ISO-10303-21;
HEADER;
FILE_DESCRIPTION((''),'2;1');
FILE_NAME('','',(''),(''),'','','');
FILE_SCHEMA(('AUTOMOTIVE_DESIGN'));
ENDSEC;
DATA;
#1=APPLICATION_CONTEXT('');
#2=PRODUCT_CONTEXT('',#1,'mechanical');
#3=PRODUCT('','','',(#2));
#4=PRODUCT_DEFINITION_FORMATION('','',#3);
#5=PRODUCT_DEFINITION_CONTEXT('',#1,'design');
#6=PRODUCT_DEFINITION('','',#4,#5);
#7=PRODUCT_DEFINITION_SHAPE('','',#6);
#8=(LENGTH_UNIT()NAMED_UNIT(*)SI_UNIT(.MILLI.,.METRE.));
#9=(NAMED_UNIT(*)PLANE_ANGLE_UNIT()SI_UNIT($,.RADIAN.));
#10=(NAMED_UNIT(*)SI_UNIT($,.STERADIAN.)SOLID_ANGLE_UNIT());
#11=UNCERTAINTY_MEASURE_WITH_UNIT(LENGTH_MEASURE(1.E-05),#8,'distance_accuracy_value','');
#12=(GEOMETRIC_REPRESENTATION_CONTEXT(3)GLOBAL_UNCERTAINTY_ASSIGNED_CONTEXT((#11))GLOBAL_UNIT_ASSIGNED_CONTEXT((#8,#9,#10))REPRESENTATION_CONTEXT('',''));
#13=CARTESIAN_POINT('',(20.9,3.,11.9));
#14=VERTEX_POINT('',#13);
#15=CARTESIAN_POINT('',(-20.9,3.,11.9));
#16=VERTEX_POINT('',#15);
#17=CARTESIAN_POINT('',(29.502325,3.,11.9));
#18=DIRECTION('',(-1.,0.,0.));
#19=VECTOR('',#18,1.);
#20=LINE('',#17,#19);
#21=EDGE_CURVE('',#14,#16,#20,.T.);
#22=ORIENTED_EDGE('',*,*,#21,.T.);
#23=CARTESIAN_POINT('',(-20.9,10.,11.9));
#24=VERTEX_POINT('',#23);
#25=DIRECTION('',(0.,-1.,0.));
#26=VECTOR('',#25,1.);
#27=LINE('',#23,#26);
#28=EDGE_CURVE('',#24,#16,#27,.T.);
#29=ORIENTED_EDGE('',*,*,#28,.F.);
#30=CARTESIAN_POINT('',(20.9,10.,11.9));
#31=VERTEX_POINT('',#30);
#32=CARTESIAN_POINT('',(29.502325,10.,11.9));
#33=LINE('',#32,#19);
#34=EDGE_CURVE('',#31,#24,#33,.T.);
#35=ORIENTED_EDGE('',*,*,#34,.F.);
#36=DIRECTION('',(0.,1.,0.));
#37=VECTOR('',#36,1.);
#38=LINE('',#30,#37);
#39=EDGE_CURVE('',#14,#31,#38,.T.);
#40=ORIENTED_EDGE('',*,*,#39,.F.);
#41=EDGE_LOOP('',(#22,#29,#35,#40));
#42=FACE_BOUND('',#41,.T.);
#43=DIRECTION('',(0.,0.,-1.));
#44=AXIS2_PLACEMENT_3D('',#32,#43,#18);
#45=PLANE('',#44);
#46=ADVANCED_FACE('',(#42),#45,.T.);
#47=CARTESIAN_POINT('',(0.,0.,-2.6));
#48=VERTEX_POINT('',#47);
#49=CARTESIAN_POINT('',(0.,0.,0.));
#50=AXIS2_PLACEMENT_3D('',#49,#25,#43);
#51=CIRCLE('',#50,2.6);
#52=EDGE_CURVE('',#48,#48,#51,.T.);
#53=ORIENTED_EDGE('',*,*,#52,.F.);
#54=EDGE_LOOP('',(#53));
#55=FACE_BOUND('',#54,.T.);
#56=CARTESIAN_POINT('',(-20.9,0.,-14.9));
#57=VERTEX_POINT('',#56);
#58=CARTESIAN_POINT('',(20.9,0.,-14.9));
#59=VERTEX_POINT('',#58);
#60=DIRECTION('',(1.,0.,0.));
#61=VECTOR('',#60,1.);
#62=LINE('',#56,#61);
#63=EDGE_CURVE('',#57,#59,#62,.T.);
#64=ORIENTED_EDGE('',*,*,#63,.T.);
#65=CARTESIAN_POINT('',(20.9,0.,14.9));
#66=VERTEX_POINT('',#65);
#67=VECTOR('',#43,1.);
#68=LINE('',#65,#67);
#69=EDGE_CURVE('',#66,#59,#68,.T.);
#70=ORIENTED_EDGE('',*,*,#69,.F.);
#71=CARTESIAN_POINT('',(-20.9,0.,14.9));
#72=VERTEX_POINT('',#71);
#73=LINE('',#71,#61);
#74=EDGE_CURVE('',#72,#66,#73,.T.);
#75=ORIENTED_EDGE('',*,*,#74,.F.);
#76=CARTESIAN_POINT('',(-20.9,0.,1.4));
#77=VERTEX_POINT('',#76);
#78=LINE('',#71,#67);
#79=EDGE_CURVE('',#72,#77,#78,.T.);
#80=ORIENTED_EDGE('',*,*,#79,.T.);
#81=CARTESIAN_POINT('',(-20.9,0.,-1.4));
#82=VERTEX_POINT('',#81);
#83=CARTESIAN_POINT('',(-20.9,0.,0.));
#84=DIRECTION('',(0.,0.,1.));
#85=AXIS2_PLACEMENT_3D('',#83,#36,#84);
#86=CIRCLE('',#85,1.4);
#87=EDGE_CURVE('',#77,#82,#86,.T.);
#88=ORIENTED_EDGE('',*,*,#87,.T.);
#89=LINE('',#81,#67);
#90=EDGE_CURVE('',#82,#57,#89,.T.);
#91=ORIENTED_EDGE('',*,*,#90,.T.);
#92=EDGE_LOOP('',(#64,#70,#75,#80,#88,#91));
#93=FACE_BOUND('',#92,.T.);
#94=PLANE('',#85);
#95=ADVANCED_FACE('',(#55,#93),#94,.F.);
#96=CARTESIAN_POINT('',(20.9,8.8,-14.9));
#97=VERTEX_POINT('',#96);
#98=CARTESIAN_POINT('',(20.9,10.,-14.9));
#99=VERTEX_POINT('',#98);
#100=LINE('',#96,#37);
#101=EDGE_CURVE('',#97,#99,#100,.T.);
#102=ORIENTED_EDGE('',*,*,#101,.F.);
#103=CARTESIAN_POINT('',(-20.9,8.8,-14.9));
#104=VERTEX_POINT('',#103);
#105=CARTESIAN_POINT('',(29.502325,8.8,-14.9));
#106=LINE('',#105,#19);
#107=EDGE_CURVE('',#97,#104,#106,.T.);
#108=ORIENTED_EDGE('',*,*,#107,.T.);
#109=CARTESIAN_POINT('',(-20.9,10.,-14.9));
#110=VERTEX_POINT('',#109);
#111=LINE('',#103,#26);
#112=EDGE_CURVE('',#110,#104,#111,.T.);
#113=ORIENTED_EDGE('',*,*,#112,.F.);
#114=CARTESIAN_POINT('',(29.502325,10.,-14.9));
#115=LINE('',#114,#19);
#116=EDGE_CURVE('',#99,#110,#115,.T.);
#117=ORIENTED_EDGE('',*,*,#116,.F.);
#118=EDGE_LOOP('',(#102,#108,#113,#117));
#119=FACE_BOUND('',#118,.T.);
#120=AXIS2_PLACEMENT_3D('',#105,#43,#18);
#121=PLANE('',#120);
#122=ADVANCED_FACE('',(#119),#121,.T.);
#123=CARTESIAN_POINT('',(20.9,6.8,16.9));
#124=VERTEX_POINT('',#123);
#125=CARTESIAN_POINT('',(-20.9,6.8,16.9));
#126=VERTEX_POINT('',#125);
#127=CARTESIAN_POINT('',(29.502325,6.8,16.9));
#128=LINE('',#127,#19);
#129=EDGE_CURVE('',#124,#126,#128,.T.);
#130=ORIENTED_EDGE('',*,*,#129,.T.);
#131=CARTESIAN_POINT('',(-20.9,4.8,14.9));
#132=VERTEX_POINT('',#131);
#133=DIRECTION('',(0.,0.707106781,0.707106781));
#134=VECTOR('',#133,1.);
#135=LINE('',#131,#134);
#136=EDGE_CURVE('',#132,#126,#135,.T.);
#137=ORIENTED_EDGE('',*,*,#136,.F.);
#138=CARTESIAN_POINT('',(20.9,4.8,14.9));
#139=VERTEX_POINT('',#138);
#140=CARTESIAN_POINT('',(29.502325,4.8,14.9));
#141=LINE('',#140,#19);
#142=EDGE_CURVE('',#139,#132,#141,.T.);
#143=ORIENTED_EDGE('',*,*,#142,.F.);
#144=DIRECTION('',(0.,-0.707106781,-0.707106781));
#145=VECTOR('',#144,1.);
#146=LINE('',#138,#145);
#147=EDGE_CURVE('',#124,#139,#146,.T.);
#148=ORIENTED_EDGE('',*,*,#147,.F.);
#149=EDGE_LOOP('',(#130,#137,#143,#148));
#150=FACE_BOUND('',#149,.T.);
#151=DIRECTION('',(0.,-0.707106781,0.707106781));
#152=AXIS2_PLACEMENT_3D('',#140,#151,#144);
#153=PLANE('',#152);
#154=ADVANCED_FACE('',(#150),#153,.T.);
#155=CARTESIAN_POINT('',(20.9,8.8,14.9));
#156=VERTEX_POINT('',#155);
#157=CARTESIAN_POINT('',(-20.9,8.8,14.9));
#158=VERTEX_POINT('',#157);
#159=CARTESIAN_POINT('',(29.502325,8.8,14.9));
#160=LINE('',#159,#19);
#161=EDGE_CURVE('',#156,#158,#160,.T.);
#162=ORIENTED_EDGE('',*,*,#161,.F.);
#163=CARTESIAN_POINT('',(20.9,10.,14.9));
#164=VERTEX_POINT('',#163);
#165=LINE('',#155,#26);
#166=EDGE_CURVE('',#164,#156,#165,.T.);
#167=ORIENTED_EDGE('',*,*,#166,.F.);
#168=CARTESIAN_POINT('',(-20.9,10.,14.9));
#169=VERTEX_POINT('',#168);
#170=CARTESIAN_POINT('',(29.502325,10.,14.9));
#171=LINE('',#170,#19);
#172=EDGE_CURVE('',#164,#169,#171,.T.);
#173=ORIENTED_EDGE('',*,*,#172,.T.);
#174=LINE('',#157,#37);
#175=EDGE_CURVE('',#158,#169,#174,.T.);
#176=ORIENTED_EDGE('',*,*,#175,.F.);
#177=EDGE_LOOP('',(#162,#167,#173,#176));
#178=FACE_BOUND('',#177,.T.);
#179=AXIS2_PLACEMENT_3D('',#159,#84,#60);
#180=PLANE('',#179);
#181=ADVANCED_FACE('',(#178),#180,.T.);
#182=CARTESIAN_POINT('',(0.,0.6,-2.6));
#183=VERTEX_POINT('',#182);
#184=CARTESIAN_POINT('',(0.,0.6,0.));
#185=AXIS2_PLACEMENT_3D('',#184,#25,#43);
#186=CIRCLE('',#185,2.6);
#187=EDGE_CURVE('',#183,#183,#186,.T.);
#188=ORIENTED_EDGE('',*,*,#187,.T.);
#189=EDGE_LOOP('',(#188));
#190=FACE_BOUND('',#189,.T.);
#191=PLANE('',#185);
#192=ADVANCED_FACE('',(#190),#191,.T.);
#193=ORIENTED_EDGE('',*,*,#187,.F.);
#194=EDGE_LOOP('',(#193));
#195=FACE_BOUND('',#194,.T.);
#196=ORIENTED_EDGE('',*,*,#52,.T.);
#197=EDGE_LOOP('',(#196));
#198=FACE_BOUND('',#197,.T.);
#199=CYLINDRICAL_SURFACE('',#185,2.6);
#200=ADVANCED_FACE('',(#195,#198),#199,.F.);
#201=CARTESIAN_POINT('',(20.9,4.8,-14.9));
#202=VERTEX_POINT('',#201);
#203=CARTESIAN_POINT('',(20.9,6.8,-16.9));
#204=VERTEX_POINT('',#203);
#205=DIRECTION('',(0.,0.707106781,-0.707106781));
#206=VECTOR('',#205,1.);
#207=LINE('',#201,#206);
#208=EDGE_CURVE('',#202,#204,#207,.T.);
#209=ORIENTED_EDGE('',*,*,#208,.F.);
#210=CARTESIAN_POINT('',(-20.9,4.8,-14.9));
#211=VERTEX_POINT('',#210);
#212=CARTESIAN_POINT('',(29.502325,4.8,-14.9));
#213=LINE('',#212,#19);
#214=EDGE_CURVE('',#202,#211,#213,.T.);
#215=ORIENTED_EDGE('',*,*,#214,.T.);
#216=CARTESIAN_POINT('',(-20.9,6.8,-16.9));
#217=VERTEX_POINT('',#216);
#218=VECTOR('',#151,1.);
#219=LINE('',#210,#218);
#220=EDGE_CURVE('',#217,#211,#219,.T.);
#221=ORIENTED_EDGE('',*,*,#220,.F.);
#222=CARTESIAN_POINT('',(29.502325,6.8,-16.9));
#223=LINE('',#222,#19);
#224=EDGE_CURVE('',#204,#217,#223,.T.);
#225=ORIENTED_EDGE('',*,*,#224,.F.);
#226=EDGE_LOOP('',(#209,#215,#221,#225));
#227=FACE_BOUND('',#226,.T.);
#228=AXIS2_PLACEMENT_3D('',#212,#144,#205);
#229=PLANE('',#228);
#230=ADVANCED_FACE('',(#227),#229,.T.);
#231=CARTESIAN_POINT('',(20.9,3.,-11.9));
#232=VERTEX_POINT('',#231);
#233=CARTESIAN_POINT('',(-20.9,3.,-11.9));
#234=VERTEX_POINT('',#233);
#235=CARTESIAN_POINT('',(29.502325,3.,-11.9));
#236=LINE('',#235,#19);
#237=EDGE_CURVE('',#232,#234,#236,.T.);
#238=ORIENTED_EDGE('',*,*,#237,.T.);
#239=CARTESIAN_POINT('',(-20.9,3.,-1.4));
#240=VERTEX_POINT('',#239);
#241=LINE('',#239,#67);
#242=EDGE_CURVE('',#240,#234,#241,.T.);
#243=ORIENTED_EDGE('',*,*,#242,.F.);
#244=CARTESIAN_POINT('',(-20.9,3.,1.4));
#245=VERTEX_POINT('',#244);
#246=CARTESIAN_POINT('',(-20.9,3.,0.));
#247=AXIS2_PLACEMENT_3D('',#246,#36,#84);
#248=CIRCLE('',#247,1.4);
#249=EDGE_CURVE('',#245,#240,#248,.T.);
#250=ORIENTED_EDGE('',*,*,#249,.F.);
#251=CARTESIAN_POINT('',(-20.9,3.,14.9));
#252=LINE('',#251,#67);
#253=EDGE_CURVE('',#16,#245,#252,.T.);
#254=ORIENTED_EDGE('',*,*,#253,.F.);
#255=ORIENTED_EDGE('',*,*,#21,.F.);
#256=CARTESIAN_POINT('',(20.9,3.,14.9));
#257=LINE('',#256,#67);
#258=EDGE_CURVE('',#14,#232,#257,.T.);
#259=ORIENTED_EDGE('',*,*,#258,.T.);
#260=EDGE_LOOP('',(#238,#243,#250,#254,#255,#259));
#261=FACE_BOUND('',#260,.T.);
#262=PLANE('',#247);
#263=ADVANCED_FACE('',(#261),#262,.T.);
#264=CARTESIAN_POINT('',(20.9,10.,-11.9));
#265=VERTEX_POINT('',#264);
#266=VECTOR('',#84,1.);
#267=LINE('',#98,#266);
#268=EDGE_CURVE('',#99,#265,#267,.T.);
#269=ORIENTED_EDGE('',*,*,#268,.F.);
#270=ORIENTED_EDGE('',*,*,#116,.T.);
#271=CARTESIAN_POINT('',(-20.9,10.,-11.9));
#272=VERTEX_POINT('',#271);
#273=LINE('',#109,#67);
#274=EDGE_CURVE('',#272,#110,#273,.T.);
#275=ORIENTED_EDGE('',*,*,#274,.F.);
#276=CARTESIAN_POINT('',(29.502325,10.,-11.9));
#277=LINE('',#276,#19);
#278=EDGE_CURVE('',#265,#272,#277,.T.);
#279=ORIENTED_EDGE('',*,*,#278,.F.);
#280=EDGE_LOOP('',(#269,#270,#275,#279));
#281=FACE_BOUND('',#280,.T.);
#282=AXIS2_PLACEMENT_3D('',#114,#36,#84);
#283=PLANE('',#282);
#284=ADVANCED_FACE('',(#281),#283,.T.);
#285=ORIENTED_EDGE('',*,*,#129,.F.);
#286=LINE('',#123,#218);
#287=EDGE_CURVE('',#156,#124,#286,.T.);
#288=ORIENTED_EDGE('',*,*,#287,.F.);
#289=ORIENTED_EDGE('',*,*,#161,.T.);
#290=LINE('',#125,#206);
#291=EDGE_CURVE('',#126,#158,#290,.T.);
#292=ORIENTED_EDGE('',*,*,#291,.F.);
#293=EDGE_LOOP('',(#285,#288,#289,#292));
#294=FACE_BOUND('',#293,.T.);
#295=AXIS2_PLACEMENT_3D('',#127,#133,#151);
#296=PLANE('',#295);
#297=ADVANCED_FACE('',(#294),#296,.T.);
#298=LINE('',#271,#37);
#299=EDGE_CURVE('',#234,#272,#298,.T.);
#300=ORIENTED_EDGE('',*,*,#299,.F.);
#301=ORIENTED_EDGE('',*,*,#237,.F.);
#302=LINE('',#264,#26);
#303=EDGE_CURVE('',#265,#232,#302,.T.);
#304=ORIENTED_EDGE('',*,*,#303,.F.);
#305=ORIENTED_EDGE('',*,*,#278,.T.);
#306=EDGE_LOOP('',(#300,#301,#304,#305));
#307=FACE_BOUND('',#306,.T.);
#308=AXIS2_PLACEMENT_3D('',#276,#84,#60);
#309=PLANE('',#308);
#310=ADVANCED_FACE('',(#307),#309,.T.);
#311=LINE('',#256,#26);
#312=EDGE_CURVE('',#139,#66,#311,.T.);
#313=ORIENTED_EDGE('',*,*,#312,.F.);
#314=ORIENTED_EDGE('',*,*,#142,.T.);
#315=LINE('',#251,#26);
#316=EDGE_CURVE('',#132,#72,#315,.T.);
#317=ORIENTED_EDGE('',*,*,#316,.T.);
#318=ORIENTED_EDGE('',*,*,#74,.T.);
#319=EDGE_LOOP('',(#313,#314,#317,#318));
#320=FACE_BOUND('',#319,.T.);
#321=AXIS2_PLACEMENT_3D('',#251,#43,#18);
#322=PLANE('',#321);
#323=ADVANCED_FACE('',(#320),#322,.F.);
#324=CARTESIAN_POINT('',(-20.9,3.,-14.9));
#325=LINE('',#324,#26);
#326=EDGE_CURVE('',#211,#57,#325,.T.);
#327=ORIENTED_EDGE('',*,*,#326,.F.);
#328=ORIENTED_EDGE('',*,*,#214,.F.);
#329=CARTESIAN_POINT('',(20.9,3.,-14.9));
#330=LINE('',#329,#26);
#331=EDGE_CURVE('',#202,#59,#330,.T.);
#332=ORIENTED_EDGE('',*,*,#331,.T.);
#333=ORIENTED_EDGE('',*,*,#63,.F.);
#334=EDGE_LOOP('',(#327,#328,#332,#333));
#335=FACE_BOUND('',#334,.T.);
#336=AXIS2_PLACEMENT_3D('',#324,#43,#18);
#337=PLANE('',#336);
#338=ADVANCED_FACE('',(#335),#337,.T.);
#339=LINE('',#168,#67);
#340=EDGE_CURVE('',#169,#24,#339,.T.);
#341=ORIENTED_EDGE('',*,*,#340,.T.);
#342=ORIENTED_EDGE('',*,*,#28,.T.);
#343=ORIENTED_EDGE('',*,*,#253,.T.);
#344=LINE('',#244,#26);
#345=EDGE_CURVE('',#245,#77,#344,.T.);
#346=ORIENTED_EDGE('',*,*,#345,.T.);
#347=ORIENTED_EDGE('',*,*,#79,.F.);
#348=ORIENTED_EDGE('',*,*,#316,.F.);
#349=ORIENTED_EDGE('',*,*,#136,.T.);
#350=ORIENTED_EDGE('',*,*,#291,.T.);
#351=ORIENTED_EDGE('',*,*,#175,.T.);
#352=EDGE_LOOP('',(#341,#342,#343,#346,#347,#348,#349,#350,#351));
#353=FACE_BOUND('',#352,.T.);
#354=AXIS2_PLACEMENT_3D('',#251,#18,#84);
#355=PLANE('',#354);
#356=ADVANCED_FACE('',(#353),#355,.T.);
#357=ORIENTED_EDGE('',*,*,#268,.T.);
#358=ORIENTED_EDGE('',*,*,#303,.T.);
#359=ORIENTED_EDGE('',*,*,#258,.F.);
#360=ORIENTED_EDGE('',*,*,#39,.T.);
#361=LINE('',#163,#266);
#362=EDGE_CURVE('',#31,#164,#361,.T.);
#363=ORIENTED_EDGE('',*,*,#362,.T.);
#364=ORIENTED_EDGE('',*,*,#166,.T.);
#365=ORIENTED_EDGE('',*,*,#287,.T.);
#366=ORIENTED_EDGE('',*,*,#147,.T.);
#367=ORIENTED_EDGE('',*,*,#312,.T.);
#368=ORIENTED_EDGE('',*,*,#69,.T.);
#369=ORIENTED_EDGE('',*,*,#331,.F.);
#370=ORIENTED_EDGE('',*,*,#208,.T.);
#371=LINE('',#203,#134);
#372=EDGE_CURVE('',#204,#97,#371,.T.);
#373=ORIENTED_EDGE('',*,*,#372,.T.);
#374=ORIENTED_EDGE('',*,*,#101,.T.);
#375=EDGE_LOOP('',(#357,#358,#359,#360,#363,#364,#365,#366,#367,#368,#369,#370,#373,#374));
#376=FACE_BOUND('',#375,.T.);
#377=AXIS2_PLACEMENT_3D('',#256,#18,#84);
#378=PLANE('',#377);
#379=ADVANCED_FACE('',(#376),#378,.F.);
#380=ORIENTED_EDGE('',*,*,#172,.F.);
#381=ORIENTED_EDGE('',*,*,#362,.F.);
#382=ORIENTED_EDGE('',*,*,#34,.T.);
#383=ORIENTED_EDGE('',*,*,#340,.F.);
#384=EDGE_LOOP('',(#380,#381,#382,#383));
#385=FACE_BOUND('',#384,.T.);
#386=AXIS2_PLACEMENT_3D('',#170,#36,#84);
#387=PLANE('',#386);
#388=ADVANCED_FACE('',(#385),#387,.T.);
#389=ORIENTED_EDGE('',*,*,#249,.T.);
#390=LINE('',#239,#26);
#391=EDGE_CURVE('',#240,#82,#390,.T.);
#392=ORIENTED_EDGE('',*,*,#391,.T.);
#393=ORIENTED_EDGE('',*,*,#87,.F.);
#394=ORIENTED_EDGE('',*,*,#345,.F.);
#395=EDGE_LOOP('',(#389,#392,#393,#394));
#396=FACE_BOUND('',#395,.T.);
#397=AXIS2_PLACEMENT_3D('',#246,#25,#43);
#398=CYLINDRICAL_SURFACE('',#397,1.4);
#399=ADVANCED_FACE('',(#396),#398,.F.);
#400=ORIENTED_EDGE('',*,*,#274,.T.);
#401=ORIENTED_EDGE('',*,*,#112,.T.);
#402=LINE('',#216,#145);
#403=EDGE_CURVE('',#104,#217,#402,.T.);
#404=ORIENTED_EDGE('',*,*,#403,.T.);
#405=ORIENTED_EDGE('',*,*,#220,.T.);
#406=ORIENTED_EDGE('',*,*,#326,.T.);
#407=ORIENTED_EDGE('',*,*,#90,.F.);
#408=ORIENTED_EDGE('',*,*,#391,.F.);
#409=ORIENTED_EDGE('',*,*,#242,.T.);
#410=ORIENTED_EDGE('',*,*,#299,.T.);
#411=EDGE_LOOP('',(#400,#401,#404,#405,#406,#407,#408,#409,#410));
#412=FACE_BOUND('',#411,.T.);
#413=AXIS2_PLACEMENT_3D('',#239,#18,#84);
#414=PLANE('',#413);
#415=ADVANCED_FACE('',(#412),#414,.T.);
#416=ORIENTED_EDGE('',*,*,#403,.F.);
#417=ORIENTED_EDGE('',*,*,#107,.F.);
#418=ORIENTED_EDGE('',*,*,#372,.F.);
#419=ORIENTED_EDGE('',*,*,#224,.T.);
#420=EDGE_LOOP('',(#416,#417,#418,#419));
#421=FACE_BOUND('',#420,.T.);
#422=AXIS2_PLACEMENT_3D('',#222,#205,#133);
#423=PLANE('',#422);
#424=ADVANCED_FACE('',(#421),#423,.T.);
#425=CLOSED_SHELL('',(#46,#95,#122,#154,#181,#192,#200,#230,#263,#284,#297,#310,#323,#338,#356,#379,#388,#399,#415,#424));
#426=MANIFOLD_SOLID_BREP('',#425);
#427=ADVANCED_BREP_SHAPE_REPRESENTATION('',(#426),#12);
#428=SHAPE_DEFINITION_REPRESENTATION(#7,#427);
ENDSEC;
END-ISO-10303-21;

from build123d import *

# Parameters (mm, degrees)
BOSS_EXTRUDE1_DEPTH = 3
BOSS_EXTRUDE2_DEPTH = 41.8
SKETCH5_R           = 2.6
CUT_EXTRUDE1_DEPTH  = 0.6


with BuildPart() as part:
    # Sketch2 → Boss-Extrude1 (new body)
    with BuildSketch(Plane(origin=(0, 0, 0), x_dir=(1, 0, 0), z_dir=(0, 1, 0))):
        with BuildLine():
            Line((-20.9, 1.4), (-20.9, 14.9))
            Line((-20.9, 14.9), (20.9, 14.9))
            Line((20.9, 14.9), (20.9, -14.9))
            Line((20.9, -14.9), (-20.9, -14.9))
            Line((-20.9, -14.9), (-20.9, -1.4))
            ThreePointArc((-20.9, -1.4), (-19.5, 0), (-20.9, 1.4))
        make_face()
    extrude(amount=BOSS_EXTRUDE1_DEPTH)

    # Sketch4 → Boss-Extrude2 (add)
    with BuildSketch(Plane.ZY.offset(20.9)):
        Polygon((-14.9, 3), (-14.9, 4.8), (-16.9, 6.8), (-14.9, 8.8), (-14.9, 10), (-11.9, 10), (-11.9, 3), align=None)
        Polygon((14.9, 3), (11.9, 3), (11.9, 10), (14.9, 10), (14.9, 8.8), (16.9, 6.8), (14.9, 4.8), align=None)
    extrude(amount=-BOSS_EXTRUDE2_DEPTH)

    # Sketch5 → Cut-Extrude1 (cut)
    with BuildSketch(Plane.XZ):
        with Locations(Location((0, 0, 0), (0, 0, 270))):
            Circle(SKETCH5_R)
    extrude(amount=-CUT_EXTRUDE1_DEPTH, mode=Mode.SUBTRACT)


solid = part.part
